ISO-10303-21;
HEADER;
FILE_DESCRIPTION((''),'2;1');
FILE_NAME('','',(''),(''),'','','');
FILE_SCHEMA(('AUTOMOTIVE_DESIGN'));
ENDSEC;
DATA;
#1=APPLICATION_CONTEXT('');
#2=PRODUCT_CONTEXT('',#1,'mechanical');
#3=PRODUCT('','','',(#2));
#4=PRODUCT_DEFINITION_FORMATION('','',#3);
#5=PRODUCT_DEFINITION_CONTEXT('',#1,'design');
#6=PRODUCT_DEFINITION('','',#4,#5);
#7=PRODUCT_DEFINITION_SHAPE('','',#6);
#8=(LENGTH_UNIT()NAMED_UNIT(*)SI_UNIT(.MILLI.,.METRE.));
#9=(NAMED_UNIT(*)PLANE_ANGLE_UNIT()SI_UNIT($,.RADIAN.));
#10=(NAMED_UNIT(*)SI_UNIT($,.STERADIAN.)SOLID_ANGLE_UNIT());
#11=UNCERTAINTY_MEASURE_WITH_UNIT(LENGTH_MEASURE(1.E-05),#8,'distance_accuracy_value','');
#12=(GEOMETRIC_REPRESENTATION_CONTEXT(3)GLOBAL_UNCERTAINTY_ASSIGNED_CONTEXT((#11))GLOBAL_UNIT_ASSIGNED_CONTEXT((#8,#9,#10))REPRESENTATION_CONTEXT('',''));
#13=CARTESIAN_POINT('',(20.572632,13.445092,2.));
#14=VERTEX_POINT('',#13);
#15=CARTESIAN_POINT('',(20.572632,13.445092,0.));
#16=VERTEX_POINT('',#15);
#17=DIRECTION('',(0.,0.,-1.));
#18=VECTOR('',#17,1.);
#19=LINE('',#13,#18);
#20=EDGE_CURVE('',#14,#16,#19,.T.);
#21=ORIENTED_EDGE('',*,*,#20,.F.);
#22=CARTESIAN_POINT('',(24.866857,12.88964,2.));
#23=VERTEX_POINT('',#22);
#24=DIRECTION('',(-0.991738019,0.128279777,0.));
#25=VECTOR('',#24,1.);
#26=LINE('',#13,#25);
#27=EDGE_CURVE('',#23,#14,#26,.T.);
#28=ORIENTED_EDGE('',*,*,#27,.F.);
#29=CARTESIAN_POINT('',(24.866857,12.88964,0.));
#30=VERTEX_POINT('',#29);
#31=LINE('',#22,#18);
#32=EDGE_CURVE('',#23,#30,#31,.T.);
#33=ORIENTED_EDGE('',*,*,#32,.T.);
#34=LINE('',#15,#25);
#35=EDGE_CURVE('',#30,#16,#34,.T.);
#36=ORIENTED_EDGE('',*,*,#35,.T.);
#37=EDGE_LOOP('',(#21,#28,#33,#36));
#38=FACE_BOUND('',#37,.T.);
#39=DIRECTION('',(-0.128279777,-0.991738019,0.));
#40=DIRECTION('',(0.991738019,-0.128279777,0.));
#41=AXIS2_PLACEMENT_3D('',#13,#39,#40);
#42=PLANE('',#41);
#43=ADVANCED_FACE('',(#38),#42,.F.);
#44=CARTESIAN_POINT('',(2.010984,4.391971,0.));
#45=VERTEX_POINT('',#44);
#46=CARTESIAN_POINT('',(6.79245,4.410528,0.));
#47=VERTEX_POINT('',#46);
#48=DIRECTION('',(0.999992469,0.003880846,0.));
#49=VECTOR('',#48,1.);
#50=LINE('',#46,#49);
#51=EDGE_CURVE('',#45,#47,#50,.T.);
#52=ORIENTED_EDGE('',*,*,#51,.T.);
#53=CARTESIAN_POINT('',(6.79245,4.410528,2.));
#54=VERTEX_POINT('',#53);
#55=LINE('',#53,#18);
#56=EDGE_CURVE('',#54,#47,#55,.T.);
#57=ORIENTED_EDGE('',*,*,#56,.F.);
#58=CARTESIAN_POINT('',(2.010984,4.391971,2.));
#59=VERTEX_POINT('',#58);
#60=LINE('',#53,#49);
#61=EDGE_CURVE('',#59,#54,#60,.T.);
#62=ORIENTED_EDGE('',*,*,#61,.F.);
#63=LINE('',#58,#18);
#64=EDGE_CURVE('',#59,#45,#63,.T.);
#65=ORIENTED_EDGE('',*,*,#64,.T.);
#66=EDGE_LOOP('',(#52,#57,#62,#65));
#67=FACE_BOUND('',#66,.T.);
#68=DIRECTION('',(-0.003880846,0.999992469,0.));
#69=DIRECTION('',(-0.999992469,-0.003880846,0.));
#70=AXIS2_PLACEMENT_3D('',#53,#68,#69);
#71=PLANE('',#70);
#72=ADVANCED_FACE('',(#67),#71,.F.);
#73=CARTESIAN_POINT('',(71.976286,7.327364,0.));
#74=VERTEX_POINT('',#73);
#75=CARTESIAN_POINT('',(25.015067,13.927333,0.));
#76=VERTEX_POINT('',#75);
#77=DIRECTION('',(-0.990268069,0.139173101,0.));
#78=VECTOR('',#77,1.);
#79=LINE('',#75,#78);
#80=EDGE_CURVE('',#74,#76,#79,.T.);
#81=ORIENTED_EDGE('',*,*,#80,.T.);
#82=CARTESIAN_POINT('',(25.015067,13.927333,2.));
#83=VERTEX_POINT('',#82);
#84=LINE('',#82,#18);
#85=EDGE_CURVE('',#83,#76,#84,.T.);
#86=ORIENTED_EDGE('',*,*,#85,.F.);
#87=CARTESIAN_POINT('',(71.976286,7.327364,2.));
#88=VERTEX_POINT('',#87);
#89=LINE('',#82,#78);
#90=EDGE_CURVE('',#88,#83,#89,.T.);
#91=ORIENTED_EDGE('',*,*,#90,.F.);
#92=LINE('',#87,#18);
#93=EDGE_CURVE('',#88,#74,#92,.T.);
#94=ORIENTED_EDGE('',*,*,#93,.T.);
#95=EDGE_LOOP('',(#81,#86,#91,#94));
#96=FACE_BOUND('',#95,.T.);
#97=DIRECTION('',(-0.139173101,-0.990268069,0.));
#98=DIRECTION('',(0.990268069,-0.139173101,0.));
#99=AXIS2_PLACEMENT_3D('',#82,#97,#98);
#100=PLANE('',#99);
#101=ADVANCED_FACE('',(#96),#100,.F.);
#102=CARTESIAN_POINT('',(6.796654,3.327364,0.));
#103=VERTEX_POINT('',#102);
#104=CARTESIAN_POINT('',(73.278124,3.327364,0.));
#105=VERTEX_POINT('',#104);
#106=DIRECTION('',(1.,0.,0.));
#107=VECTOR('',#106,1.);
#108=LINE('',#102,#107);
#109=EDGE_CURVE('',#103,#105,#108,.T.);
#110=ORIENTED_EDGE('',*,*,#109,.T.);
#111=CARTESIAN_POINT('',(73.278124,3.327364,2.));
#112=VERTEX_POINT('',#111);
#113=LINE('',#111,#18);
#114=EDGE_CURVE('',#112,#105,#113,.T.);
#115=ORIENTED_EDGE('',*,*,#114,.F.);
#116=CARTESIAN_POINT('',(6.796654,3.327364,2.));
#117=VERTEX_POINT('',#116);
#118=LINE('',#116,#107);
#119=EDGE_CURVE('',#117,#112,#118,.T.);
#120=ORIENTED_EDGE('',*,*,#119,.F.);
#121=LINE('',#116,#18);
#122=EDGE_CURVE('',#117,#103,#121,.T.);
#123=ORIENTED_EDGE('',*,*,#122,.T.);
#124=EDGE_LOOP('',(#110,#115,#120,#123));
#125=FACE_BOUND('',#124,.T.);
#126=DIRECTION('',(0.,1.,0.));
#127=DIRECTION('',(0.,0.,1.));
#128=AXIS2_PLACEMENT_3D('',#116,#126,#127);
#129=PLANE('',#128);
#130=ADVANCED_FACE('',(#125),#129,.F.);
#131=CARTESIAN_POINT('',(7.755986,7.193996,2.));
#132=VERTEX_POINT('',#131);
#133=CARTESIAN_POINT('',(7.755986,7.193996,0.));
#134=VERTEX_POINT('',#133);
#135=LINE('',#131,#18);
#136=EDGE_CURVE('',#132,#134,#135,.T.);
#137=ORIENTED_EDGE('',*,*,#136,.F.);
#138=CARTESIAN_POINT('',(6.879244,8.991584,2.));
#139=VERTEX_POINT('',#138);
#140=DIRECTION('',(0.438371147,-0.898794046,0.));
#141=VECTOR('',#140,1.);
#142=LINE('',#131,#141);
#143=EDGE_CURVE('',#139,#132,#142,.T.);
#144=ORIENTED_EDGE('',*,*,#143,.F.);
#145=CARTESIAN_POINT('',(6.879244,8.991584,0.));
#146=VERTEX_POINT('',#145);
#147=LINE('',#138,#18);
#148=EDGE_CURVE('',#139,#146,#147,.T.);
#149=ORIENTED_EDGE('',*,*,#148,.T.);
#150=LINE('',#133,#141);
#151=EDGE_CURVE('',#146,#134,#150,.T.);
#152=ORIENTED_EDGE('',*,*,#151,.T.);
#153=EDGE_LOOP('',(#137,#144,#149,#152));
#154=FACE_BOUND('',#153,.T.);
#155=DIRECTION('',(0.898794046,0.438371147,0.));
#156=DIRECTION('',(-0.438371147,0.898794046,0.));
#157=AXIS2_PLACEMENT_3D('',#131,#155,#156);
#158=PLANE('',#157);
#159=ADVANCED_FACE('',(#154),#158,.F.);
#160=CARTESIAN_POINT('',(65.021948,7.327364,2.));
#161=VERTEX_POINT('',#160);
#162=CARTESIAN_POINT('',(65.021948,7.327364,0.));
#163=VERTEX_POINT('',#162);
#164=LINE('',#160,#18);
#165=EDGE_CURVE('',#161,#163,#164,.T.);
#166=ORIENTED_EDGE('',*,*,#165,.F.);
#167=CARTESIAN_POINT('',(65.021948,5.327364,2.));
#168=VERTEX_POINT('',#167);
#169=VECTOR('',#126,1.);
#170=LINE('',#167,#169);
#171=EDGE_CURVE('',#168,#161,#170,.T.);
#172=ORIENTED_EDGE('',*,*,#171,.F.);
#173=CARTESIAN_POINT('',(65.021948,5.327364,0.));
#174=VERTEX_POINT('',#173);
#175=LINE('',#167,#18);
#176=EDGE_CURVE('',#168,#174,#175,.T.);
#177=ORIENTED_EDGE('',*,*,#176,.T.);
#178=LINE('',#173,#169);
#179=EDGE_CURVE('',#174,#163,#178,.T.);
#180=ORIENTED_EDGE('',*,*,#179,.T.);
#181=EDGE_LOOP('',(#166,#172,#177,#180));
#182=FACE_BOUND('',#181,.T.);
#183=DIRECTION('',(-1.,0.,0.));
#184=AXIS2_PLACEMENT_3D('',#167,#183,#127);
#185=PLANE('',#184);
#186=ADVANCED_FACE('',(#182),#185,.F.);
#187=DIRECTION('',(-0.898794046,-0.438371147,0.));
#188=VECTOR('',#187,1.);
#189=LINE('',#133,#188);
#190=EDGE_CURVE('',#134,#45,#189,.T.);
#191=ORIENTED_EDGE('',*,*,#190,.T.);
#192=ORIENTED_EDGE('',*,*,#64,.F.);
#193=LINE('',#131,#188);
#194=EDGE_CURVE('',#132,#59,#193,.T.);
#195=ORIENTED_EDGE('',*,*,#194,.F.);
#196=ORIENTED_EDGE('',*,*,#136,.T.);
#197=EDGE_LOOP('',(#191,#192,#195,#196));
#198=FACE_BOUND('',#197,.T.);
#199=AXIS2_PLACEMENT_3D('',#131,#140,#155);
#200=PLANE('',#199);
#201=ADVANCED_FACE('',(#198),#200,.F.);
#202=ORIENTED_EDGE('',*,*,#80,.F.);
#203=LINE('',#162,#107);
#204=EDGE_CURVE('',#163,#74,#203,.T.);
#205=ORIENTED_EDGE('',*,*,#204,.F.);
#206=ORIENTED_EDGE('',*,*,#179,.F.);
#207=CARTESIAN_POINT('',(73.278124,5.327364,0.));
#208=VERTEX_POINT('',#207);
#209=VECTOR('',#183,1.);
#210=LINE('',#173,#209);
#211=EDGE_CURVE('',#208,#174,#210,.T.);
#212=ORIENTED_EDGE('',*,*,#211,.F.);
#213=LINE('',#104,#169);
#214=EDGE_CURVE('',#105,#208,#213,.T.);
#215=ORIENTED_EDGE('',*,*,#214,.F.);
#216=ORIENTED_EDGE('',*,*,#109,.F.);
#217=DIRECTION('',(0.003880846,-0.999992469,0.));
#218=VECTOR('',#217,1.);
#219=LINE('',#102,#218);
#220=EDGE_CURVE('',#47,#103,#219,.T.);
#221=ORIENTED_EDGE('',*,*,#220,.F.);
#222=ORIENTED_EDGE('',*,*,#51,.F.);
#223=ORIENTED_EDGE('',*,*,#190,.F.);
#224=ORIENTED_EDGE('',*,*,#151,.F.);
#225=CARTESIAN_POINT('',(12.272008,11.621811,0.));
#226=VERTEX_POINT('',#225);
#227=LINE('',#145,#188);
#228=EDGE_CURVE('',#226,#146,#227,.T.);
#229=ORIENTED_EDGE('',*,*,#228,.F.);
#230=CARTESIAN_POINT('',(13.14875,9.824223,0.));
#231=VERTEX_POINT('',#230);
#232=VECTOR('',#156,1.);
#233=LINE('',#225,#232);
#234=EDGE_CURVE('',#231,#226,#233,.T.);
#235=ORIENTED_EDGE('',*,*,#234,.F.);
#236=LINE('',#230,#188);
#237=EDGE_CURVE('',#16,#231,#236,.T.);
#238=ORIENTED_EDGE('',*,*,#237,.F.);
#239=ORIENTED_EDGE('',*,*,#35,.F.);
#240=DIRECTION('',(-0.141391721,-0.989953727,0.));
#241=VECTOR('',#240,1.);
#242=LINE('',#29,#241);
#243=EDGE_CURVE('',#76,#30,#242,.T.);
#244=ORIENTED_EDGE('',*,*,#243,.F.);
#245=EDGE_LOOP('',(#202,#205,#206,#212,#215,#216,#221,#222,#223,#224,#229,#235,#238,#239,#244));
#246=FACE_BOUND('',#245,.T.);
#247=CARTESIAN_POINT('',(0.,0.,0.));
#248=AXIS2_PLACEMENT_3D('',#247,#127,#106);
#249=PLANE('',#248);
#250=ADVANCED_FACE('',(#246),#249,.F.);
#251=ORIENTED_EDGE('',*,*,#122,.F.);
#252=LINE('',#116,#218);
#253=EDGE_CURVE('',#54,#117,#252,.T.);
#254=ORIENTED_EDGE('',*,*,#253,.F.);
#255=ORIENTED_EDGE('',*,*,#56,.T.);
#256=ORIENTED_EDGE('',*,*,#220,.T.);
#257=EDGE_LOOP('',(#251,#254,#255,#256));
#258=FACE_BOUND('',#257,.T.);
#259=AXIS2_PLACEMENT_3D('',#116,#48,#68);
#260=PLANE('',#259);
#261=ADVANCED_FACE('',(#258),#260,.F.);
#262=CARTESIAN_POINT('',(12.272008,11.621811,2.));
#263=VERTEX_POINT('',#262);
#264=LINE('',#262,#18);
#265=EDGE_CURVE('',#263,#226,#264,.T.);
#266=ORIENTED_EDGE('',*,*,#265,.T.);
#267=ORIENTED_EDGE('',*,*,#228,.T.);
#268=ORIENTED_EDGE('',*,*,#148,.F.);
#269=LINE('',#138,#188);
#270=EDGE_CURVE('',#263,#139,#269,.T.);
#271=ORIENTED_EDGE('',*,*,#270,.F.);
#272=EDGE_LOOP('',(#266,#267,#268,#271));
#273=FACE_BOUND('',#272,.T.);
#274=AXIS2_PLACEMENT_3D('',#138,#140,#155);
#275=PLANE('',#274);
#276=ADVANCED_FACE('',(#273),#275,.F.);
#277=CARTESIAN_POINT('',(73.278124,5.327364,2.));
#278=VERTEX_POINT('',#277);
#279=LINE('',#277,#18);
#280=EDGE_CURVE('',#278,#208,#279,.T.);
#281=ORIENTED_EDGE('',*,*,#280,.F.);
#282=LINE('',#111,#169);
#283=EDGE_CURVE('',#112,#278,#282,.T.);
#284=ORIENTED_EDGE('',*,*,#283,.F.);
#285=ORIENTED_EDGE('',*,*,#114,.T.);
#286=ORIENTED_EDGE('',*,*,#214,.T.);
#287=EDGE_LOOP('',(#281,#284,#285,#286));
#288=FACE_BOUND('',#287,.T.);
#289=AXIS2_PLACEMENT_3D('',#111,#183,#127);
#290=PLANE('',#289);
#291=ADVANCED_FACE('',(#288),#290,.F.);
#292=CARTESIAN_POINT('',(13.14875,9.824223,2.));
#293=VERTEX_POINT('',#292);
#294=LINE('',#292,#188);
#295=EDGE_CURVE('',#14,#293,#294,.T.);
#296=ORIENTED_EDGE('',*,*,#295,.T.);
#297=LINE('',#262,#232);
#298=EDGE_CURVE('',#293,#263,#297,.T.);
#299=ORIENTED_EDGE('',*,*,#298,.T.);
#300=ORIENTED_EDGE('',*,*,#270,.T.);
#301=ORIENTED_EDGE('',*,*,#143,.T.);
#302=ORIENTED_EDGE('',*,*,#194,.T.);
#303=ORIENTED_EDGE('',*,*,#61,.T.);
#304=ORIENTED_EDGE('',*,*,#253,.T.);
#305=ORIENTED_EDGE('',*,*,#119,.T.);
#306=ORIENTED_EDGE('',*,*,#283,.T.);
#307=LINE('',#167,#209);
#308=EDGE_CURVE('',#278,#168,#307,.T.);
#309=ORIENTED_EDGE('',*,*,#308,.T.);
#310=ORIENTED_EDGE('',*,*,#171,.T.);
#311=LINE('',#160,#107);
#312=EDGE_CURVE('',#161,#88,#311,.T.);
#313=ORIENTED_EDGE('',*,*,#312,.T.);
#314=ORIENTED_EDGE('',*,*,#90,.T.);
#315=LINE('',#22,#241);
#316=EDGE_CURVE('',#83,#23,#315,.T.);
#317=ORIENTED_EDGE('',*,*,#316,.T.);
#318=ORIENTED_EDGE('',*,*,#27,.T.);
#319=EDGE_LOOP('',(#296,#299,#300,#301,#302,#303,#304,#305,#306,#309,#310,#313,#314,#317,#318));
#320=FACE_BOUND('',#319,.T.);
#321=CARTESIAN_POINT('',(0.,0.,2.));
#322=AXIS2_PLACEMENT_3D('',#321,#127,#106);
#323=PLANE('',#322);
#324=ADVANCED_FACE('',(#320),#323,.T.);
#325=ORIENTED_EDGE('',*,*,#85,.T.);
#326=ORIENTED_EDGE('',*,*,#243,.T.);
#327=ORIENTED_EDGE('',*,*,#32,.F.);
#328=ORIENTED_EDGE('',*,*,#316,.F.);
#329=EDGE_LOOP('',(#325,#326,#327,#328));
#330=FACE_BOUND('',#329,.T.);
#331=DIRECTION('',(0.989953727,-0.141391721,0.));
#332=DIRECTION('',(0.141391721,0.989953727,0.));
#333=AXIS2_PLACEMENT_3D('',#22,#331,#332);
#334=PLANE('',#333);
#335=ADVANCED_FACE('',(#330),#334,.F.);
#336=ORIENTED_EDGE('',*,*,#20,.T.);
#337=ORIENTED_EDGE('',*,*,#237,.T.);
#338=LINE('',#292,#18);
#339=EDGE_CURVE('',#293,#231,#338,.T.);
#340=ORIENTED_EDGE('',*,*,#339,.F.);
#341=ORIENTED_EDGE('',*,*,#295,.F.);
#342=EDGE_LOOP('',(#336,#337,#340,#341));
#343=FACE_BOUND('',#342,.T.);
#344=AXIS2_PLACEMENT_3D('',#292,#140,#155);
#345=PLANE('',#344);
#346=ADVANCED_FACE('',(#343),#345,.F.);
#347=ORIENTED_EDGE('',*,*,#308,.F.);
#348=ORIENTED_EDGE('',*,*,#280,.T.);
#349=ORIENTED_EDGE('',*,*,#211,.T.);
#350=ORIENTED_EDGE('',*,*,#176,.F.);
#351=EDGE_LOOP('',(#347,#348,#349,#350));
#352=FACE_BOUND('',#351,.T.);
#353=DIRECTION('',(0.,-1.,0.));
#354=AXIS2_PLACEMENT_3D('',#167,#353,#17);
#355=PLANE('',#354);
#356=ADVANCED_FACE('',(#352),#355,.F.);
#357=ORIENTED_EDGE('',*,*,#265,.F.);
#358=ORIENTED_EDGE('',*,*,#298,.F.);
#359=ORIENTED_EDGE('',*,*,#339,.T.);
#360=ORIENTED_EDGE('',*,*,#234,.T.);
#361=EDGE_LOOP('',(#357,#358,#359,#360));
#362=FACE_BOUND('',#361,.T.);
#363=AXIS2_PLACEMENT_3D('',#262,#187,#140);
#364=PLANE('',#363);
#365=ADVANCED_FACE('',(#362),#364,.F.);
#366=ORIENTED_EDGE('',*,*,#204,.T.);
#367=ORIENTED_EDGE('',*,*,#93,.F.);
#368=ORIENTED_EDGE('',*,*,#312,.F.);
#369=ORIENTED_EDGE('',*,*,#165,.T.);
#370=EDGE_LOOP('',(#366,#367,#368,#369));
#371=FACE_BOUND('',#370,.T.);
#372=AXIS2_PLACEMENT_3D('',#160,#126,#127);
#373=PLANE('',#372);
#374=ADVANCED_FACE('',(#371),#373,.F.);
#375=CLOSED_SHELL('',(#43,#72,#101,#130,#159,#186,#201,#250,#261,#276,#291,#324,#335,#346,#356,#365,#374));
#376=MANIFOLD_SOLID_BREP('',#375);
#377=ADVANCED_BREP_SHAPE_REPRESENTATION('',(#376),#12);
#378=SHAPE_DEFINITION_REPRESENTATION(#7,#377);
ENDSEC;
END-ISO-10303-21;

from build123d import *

# Parameters (mm, degrees)
EXTRUDE_1_DEPTH = 2


with BuildPart() as part:
    # Model → 凸台-拉伸1 (new body)
    with BuildSketch(Plane.XY):
        Polygon((7.755986118, 7.193996024), (6.879243825, 8.991584116), (12.272008103, 11.621810997), (13.148750396, 9.824222904), (20.572631643, 13.445091722), (24.866857266, 12.889640288), (25.015067319, 13.927332545), (71.976286032, 7.327363669), (65.021947956, 7.327363669), (65.021947956, 5.327363669), (73.278124352, 5.327363669), (73.278124352, 3.327363669), (6.796653877, 3.327363669), (6.792450252, 4.410527762), (2.010984454, 4.39197149), align=None)
    extrude(amount=EXTRUDE_1_DEPTH)


solid = part.part
